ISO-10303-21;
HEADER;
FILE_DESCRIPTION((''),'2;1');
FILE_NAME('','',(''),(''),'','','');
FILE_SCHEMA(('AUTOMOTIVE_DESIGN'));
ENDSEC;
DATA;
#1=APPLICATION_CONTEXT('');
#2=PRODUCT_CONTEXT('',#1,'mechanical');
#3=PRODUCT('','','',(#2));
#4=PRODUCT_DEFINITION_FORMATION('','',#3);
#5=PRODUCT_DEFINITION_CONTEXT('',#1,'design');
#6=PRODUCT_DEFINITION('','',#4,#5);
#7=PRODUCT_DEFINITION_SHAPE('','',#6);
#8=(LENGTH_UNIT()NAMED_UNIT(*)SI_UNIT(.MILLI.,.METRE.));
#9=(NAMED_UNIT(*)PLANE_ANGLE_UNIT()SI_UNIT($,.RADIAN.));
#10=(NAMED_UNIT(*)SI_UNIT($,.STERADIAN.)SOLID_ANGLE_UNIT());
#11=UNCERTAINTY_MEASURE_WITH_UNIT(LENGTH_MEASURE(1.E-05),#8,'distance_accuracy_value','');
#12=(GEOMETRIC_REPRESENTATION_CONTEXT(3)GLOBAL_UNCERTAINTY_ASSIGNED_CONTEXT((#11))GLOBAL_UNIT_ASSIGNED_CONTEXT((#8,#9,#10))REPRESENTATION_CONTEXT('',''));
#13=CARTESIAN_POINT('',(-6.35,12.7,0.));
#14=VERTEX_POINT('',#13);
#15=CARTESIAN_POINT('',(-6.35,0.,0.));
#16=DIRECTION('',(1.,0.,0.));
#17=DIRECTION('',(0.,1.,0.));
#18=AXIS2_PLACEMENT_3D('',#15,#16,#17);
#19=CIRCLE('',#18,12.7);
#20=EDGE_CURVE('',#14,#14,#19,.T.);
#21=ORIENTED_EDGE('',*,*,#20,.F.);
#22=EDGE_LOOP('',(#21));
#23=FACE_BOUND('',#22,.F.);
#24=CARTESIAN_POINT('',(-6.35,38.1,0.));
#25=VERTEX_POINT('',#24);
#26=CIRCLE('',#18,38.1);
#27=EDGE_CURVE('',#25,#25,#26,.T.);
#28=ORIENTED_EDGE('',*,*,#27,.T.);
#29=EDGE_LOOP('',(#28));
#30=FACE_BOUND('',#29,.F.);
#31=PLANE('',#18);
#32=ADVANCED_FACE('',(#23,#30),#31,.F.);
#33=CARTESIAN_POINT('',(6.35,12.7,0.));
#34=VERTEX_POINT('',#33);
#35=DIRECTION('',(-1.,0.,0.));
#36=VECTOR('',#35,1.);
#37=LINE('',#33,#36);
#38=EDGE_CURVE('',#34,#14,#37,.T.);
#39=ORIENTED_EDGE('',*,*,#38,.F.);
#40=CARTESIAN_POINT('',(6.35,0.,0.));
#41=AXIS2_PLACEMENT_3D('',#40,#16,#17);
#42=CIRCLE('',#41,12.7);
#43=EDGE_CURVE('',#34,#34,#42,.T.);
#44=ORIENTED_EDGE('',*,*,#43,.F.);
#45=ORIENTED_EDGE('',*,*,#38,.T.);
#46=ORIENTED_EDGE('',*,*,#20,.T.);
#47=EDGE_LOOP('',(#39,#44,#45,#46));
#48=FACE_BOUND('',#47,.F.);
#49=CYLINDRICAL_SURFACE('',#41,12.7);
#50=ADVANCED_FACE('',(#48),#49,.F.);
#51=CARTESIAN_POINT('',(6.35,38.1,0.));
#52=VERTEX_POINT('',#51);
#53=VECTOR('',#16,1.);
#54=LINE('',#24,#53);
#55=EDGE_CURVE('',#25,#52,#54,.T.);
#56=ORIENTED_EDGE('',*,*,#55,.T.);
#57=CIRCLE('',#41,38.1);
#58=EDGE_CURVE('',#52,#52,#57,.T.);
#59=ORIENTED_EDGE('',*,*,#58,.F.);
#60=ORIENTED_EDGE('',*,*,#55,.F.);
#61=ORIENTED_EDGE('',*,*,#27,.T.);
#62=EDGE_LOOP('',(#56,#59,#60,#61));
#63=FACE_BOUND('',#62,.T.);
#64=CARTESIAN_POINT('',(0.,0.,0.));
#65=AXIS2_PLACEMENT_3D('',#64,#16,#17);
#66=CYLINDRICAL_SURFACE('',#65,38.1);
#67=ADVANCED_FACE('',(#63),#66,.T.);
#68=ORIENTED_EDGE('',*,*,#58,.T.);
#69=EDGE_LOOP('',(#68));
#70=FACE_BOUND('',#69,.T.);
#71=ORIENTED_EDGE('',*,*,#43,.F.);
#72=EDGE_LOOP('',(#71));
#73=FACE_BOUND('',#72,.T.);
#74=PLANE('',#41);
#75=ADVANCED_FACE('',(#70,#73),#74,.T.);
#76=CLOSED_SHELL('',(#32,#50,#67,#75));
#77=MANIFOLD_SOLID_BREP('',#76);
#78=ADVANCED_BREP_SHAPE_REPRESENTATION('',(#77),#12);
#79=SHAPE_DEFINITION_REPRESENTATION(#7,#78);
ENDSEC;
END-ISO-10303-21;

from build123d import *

# Parameters (mm, degrees)
F0_R     = 38.1
F1_DEPTH = 6.35
F2_R     = 12.7
F3_DEPTH = 12.701


with BuildPart() as f1:
    # F0 (on Right) → F1 (new body, symmetric)
    with BuildSketch(Plane.YZ):
        Circle(F0_R)
    extrude(amount=F1_DEPTH, both=True)

    # F2 (on face) → F3 (cut, through all)
    with BuildSketch(Plane.YZ.offset(6.35)):
        Circle(F2_R)
    extrude(amount=-F3_DEPTH, mode=Mode.SUBTRACT)


solid = f1.part
